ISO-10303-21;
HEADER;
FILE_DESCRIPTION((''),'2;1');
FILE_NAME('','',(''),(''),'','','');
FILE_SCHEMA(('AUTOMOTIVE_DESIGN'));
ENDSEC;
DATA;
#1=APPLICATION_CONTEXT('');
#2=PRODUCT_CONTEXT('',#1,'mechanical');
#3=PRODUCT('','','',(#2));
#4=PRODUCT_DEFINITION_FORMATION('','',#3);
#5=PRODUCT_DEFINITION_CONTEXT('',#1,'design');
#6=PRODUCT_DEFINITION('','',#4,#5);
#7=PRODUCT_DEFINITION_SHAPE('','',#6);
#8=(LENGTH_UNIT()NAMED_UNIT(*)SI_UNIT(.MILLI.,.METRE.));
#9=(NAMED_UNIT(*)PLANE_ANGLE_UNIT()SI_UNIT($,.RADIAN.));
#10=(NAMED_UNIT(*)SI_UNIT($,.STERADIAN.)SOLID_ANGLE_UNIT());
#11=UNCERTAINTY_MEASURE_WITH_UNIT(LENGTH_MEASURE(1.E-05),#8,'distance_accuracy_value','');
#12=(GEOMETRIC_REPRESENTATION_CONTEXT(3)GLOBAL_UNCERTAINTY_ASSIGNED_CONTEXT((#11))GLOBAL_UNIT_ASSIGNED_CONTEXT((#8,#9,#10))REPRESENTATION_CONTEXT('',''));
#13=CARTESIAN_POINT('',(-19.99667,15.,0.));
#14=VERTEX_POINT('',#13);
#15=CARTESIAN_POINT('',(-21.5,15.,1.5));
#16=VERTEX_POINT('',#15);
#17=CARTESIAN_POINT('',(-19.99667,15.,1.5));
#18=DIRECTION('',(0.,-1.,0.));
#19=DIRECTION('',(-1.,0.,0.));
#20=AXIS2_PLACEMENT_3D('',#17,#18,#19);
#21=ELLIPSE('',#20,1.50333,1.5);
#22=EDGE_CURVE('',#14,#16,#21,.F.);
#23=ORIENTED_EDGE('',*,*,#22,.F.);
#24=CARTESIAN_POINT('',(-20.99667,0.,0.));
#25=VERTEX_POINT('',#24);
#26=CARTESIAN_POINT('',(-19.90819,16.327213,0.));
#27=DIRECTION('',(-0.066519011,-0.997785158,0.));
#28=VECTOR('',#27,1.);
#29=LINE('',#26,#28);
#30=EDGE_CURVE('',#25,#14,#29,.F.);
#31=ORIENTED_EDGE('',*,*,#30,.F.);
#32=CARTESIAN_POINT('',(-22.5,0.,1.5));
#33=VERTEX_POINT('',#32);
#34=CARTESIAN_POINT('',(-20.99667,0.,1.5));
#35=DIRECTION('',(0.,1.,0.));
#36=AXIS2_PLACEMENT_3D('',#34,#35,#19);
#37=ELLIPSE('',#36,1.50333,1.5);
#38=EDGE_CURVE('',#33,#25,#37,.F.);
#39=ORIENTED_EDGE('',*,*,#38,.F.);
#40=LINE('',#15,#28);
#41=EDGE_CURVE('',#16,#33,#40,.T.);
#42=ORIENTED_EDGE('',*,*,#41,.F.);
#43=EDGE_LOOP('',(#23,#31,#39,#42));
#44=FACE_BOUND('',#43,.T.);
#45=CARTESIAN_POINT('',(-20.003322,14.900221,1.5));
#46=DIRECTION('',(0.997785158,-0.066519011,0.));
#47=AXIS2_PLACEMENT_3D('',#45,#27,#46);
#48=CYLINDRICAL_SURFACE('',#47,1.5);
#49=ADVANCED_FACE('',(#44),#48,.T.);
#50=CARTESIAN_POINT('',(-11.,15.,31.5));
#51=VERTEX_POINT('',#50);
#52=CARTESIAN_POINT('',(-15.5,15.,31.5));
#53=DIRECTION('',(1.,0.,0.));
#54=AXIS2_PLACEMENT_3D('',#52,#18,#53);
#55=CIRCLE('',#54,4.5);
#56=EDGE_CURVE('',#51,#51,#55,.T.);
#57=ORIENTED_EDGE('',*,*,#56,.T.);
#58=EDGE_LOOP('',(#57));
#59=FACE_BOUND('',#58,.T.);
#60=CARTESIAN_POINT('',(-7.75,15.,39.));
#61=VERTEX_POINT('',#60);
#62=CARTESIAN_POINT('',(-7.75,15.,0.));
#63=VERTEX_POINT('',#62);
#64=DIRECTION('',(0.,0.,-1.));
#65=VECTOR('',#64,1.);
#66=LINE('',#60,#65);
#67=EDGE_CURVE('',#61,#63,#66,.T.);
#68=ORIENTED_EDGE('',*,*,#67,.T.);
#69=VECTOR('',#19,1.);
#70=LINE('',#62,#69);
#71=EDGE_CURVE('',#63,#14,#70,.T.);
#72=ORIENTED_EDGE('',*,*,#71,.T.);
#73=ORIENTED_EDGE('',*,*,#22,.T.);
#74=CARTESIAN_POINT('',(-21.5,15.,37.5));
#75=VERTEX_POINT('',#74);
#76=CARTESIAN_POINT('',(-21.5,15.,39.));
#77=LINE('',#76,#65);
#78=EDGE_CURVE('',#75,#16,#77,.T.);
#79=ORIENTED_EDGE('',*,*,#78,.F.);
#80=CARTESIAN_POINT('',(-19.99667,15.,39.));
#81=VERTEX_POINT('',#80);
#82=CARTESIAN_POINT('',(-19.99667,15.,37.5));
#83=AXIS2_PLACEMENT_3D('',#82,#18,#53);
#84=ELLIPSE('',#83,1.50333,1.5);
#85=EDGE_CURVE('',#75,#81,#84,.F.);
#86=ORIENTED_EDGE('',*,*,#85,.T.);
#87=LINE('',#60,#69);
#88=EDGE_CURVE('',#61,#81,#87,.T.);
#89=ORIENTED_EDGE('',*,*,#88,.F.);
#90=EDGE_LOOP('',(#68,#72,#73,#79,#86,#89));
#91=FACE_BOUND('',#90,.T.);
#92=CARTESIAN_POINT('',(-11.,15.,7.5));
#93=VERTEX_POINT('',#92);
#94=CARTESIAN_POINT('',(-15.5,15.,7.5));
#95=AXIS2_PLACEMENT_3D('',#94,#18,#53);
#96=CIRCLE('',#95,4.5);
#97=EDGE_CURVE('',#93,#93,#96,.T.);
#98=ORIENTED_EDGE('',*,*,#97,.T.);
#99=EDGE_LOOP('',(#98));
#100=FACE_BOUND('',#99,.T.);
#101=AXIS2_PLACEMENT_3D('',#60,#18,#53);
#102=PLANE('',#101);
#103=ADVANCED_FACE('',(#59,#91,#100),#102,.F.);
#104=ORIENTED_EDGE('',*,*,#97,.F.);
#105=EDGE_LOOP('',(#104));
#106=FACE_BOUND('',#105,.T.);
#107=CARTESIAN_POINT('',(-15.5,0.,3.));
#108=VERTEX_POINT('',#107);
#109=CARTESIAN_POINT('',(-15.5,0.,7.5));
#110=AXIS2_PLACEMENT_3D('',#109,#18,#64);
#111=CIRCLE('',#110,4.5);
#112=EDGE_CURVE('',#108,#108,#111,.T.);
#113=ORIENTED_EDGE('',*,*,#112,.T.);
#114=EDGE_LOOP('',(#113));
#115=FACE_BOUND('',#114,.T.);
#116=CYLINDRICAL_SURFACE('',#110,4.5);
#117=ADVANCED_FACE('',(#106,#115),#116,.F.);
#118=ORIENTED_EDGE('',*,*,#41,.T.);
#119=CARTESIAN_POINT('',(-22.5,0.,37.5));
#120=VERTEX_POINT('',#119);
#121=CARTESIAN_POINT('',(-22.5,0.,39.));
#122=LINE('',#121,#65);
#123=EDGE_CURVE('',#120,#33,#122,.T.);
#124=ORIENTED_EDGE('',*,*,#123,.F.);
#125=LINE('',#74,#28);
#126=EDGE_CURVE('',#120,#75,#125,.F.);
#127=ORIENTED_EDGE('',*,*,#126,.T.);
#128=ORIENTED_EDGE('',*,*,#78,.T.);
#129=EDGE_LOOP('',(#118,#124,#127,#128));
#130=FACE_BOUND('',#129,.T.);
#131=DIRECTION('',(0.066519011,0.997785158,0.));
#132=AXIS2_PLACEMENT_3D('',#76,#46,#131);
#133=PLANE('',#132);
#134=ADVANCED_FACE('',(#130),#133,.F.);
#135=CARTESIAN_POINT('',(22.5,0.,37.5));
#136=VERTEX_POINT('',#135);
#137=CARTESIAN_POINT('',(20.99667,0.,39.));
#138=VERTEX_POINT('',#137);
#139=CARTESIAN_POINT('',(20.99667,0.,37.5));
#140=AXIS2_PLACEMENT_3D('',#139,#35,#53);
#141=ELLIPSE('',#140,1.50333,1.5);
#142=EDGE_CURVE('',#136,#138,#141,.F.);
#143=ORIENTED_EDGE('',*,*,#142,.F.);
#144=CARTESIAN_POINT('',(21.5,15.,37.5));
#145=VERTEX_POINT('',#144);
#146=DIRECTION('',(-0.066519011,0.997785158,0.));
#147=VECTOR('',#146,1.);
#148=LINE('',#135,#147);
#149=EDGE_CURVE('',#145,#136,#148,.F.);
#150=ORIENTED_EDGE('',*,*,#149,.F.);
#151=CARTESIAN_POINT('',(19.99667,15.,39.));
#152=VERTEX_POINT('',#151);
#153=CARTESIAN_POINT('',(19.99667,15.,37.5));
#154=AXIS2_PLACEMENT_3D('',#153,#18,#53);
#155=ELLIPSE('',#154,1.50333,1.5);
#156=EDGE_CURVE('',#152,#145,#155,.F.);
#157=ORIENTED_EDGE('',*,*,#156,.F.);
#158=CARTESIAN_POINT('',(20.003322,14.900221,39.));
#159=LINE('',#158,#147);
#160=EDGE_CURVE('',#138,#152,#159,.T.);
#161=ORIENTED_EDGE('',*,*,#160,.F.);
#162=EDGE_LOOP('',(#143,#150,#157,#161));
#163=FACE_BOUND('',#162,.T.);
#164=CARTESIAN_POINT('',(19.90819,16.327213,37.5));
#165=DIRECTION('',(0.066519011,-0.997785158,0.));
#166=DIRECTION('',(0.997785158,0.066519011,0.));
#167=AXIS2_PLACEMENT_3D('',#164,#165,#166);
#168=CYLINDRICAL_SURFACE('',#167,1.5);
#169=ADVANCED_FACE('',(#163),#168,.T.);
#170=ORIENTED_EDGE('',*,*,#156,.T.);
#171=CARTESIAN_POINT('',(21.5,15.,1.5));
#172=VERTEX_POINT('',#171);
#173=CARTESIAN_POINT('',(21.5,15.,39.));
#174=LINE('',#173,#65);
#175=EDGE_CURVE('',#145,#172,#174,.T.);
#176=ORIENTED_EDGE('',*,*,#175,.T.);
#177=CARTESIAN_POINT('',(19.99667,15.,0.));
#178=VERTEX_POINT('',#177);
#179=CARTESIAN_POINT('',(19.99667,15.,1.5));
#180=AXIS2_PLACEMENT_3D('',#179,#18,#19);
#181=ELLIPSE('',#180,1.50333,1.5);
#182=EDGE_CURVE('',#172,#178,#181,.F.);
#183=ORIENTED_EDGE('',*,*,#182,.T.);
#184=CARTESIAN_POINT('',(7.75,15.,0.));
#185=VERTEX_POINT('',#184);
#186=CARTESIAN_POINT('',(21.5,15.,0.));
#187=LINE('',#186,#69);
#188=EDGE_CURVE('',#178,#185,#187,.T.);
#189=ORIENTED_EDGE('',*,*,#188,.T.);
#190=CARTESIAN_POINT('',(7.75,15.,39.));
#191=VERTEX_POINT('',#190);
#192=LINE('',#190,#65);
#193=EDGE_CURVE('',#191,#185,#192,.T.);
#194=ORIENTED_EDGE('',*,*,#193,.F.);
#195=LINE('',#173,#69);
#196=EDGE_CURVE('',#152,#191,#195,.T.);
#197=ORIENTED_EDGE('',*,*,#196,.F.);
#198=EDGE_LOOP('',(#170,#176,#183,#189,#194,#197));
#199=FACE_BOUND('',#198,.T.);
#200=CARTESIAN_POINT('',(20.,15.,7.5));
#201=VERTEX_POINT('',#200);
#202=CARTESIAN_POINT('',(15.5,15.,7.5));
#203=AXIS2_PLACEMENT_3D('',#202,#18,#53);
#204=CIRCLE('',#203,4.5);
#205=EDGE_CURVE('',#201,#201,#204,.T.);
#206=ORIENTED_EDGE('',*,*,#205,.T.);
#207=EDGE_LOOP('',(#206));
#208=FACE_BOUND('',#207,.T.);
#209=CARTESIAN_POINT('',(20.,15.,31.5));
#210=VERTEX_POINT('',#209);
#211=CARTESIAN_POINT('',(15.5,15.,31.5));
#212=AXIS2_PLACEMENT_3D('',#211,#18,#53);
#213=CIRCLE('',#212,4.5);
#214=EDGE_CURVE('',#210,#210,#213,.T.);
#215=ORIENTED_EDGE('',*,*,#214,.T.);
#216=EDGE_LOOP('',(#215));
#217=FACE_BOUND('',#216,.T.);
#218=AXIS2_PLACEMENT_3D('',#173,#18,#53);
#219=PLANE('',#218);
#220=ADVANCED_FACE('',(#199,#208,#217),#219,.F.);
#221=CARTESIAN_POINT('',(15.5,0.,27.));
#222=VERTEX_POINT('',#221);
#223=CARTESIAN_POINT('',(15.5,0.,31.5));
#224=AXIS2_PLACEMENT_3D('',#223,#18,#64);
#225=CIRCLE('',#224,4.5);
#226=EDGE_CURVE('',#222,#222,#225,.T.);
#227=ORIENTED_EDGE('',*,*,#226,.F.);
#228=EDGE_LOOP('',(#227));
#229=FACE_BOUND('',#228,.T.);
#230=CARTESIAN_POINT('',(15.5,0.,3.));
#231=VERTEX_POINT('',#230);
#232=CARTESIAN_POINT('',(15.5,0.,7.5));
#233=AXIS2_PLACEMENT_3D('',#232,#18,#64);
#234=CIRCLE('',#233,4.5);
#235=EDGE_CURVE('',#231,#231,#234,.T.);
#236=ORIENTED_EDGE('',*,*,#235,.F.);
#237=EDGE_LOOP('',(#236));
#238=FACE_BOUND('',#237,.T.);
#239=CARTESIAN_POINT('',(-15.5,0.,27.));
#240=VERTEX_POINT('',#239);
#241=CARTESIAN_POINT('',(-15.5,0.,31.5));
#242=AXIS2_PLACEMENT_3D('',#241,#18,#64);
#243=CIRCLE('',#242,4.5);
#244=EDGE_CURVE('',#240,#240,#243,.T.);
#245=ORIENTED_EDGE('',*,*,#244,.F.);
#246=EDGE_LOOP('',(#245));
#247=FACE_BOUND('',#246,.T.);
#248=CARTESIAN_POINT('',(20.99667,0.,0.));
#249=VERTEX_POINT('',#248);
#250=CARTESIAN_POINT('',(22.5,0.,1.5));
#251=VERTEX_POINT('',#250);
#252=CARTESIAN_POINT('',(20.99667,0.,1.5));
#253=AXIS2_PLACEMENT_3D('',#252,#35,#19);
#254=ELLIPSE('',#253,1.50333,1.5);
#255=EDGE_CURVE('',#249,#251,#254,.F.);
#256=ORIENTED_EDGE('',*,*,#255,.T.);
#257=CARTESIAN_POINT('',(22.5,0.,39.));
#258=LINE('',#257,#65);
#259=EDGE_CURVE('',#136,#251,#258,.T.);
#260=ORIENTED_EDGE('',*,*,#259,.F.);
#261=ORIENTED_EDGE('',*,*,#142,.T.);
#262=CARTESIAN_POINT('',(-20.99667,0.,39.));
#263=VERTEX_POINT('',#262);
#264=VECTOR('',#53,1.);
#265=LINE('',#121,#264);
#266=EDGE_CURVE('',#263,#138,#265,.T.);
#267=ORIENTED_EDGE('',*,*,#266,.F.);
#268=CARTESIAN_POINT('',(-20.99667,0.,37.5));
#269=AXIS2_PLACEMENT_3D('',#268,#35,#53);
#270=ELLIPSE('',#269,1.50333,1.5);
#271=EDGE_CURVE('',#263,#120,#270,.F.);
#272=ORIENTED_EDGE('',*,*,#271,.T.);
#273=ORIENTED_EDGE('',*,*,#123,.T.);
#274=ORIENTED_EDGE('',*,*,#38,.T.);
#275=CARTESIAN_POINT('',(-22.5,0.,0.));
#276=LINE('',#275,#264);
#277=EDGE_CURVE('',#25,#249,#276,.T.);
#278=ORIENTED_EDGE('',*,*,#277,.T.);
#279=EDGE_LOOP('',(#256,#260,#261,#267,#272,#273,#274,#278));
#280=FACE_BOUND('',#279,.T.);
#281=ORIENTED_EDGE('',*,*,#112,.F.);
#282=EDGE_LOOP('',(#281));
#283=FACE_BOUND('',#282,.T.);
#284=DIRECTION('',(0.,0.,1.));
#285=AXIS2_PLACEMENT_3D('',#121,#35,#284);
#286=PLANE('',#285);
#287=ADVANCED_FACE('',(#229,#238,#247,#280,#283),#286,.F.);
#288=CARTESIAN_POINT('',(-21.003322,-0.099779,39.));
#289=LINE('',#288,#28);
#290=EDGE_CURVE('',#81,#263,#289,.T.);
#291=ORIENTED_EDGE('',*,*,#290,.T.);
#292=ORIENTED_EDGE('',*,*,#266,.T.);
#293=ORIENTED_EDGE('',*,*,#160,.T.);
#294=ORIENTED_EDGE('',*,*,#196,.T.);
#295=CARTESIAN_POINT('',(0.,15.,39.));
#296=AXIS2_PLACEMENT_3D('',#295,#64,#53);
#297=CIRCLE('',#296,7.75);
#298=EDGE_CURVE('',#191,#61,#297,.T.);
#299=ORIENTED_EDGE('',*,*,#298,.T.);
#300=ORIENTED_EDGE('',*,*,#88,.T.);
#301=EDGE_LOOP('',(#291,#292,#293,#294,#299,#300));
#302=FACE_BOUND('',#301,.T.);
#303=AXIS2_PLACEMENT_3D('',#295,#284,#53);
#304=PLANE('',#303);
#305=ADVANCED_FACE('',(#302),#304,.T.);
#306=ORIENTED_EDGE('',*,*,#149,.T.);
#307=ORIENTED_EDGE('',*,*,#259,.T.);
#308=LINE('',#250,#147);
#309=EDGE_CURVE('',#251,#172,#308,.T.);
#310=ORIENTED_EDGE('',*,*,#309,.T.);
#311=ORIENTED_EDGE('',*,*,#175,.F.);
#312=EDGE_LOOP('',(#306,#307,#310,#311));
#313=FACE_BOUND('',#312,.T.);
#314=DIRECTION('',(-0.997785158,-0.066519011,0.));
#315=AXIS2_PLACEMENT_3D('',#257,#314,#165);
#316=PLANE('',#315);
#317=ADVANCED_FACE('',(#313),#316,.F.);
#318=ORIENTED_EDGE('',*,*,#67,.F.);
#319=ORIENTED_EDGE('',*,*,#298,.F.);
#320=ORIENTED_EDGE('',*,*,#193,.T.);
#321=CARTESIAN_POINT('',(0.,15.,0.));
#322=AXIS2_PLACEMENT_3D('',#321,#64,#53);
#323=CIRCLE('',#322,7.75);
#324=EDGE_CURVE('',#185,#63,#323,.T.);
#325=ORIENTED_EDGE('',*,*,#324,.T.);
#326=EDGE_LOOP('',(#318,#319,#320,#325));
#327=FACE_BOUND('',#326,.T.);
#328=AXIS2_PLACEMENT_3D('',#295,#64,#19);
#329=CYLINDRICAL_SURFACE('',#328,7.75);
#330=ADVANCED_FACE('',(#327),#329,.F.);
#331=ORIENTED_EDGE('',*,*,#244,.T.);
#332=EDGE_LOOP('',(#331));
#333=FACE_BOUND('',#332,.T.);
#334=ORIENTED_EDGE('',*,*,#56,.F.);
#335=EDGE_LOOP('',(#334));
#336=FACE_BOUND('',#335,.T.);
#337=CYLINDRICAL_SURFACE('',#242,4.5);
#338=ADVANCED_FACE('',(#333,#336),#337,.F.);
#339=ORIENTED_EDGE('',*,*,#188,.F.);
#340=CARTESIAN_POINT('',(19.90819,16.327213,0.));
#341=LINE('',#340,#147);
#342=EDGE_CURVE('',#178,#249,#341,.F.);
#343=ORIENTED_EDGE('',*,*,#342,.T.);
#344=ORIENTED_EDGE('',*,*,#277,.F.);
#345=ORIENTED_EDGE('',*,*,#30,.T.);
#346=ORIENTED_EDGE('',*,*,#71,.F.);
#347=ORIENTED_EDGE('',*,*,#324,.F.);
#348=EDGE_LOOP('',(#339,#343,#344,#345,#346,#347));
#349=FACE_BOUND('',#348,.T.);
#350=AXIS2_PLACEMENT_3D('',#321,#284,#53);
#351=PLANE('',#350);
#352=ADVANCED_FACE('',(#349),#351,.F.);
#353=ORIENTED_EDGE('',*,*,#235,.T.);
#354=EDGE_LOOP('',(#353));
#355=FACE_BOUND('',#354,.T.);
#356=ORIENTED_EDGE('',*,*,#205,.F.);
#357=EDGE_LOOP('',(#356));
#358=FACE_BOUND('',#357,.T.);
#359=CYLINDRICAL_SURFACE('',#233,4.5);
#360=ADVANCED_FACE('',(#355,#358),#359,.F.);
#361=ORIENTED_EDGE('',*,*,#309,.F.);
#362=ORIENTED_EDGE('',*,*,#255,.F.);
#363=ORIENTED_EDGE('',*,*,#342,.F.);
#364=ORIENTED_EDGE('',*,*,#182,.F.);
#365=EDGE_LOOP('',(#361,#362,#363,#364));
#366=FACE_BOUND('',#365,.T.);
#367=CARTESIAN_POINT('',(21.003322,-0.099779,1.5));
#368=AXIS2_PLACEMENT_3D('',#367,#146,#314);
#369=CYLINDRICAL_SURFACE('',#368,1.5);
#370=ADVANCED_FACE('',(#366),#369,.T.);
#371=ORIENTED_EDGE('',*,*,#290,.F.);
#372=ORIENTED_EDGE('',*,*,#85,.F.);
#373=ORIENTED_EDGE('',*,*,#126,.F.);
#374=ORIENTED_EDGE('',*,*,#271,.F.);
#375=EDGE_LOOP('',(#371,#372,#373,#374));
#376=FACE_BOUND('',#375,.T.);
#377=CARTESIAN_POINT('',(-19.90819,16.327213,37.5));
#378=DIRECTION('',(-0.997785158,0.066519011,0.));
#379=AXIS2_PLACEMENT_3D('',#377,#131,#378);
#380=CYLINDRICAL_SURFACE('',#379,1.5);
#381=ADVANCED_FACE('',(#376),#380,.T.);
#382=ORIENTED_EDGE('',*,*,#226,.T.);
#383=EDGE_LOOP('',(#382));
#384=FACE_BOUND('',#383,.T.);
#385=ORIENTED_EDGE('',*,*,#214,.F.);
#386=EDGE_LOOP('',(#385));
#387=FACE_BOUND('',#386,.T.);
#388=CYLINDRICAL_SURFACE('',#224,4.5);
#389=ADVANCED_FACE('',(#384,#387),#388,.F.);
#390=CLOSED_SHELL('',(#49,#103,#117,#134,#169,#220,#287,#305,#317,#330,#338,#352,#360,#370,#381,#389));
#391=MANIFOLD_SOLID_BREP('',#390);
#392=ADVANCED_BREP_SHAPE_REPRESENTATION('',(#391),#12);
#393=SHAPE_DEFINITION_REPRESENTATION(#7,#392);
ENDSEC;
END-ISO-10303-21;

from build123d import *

# Parameters (mm, degrees)
ESTRUSIONE_ESTRUSIONE1_DEPTH = 39
FORO_PER_VITE_M8_1_D         = 9
FORO_PER_VITE_M8_1_DEPTH     = 30
FORO_PER_VITE_M8_1_TIP       = 2.703872786
RACCORDO1_R                  = 1.5


with BuildPart() as part:
    # Schizzo1 → Estrusione-Estrusione1 (new body)
    with BuildSketch(Plane.XY):
        with BuildLine():
            Line((-7.75, 15), (-21.5, 15))
            Line((-21.5, 15), (-22.5, 0))
            Line((-22.5, 0), (22.5, 0))
            Line((22.5, 0), (21.5, 15))
            Line((21.5, 15), (7.75, 15))
            ThreePointArc((7.75, 15), (0, 7.25), (-7.75, 15))
        make_face()
    extrude(amount=ESTRUSIONE_ESTRUSIONE1_DEPTH)

    # Foro per Vite M8-1
    with Locations(Plane(origin=(0, 0, 0), x_dir=(-1, 0, 0), z_dir=(0, -1, 0))):
        with Locations((-15.5, -7.5), (15.5, -7.5), (15.5, -31.5), (-15.5, -31.5)):
            Hole(FORO_PER_VITE_M8_1_D / 2, depth=FORO_PER_VITE_M8_1_DEPTH)
            with Locations((0, 0, -(FORO_PER_VITE_M8_1_DEPTH + FORO_PER_VITE_M8_1_TIP / 2))):  # 118° drill point
                Cone(0, FORO_PER_VITE_M8_1_D / 2, FORO_PER_VITE_M8_1_TIP, mode=Mode.SUBTRACT)

    # Raccordo1
    raccordo1_edges = [part.edges().sort_by_distance(p)[0] for p in [
        (-22, 7.5, 39),
        (22, 7.5, 39),
        (22, 7.5, 0),
        (-22, 7.5, 0),
    ]]
    fillet(raccordo1_edges, radius=RACCORDO1_R)


solid = part.part
